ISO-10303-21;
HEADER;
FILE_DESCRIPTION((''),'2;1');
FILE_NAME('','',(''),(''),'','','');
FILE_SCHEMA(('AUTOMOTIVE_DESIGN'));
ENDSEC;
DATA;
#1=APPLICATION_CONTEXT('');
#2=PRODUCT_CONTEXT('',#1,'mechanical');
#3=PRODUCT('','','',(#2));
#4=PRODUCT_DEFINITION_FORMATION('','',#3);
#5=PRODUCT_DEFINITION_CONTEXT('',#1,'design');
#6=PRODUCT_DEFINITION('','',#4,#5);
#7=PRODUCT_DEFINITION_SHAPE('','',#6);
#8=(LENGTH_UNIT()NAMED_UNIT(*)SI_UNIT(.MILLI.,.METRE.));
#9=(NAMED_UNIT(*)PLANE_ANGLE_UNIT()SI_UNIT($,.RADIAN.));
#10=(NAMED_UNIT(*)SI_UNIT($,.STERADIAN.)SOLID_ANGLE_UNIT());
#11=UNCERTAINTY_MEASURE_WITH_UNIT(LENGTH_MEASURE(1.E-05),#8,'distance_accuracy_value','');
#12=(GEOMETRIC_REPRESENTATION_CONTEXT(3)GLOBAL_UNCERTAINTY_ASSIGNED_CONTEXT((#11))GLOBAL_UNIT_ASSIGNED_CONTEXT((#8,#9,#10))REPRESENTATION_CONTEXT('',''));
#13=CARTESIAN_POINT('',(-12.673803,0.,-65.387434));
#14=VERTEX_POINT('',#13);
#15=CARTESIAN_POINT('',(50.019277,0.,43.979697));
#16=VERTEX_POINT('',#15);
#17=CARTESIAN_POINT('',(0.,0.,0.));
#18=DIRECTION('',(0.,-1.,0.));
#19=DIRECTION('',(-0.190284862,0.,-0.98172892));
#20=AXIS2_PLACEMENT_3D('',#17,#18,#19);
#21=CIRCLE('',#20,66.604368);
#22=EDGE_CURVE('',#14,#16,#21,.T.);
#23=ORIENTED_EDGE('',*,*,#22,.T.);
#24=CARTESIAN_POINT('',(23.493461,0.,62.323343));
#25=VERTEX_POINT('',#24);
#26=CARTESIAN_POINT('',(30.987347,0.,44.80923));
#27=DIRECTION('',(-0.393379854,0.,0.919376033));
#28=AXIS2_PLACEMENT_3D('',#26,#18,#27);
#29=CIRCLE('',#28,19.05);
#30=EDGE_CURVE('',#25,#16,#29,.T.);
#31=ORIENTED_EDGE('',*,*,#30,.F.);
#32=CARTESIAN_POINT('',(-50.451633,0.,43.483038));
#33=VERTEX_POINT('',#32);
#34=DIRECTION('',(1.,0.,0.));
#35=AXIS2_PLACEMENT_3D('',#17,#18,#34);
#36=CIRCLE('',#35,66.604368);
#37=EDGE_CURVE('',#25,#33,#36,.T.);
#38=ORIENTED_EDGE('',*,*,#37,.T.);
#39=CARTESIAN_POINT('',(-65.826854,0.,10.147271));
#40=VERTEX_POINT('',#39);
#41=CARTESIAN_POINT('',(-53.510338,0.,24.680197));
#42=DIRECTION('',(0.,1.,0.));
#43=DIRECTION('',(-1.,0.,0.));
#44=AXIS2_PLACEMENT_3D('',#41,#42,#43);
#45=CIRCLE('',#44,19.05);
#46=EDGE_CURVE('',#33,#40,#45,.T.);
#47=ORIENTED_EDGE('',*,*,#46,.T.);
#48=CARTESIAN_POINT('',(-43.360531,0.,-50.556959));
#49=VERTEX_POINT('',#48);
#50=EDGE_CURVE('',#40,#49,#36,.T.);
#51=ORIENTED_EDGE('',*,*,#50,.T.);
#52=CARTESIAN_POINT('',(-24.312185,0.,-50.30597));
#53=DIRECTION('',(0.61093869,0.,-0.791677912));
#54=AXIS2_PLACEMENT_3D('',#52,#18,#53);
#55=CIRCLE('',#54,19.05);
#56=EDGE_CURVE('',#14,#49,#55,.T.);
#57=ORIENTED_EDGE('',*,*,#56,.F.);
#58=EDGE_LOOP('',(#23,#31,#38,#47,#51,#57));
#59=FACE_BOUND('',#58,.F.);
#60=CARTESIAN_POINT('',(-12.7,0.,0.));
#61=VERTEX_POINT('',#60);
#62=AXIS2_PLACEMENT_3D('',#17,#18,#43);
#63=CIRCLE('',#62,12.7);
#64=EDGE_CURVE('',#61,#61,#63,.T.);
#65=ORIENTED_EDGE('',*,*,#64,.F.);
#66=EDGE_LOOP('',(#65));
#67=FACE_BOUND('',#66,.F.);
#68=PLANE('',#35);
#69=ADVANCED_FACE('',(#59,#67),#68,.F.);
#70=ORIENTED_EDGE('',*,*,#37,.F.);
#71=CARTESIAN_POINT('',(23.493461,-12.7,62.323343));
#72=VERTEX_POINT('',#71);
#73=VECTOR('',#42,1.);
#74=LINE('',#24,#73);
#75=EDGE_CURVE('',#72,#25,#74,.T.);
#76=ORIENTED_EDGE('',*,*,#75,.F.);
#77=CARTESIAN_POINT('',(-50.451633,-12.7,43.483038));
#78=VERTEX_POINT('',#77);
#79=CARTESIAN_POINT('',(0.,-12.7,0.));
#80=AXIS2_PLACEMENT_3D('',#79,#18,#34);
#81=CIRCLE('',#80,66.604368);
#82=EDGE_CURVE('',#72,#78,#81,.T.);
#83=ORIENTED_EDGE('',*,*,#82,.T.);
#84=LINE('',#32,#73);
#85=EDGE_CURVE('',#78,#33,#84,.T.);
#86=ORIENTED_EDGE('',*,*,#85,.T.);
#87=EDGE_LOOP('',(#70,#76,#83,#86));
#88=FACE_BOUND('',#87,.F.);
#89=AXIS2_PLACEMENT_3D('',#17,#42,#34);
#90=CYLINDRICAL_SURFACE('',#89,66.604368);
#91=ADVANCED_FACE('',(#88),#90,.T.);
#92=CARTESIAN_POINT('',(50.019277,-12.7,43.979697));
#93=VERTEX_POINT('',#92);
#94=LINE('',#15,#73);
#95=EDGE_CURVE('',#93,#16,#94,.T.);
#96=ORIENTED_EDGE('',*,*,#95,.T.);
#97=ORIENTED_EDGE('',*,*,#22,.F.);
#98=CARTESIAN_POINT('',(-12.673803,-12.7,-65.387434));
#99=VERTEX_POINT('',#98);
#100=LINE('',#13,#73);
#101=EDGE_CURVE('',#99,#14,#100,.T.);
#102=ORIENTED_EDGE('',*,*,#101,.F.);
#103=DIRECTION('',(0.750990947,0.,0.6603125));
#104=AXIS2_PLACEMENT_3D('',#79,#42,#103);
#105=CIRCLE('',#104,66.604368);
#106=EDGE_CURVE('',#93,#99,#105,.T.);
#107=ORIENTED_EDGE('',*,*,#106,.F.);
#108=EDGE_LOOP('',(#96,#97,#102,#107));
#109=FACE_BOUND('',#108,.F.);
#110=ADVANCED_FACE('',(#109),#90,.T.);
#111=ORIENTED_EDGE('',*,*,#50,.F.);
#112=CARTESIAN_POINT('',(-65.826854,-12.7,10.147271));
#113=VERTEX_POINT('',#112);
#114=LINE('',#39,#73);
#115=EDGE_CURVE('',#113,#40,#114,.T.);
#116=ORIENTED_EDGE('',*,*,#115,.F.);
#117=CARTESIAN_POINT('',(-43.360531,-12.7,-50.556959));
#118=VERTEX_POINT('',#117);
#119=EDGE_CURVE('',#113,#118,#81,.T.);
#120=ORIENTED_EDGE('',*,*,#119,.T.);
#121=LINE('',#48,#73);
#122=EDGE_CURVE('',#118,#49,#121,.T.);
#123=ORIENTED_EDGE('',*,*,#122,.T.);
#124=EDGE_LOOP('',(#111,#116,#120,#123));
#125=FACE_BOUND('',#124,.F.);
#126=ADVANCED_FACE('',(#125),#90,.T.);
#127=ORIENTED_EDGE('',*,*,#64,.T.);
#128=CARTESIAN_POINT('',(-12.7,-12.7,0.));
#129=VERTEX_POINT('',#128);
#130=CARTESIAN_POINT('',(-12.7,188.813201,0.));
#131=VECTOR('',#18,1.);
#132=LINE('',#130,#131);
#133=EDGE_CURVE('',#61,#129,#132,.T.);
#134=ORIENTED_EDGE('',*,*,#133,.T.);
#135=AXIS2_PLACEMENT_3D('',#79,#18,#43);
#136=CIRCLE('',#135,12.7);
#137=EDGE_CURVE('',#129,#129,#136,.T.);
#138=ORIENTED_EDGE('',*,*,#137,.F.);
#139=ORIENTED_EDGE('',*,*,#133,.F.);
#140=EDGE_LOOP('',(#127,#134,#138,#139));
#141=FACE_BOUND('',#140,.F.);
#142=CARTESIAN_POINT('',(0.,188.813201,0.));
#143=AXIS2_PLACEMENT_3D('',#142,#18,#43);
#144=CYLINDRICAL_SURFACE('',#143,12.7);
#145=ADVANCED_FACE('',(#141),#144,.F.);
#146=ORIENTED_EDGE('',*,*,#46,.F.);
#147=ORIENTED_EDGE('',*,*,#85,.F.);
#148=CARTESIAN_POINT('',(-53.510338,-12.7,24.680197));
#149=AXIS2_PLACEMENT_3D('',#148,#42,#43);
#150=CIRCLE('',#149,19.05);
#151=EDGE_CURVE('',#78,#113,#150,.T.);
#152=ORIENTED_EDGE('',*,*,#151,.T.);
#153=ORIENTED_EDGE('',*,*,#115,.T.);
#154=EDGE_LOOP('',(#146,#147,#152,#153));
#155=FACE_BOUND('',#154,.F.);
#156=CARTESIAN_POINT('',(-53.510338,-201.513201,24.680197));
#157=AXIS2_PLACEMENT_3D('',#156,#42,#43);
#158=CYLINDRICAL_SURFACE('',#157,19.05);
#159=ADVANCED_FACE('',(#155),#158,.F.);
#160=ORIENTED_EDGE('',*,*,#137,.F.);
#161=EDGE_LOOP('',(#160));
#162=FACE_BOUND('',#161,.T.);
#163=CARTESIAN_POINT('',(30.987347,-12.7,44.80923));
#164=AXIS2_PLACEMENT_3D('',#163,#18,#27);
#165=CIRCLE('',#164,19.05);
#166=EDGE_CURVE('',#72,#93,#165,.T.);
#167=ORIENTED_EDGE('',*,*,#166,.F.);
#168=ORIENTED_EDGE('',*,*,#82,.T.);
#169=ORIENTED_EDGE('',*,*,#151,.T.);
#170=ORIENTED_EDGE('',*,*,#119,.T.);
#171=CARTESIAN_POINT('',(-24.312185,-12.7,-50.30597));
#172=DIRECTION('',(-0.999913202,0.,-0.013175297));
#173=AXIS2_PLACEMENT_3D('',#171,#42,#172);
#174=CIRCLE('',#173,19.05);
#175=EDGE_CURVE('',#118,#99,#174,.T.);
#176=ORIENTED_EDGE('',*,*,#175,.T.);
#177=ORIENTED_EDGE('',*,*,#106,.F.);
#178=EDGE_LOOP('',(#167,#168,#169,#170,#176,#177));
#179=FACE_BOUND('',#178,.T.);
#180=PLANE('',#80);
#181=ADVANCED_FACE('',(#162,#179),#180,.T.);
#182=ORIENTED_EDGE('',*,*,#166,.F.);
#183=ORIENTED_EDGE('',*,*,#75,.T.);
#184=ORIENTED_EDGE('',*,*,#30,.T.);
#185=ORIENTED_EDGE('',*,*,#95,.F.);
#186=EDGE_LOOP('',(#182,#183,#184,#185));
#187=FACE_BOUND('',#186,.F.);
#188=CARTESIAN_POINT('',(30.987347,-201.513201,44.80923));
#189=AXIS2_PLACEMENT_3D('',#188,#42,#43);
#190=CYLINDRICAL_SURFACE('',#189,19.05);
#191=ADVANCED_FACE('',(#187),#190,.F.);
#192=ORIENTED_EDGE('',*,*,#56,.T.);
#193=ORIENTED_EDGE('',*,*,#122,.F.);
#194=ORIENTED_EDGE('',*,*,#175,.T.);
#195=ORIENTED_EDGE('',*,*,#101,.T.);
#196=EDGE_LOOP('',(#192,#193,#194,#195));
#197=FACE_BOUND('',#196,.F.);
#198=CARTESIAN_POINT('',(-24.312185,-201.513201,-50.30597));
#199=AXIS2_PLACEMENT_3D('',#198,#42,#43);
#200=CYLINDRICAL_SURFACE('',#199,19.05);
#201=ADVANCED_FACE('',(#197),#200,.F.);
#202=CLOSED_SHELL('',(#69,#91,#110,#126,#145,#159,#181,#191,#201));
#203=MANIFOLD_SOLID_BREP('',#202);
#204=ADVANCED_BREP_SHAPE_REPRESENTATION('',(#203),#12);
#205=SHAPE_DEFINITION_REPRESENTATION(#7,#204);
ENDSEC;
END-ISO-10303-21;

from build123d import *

# Parameters (mm, degrees)
F0_R     = 66.604368
F1_DEPTH = 12.7
F3_D     = 25.4
F4_D     = 38.1


with BuildPart() as f1:
    # F0 (on Front) → F1 (new body)
    with BuildSketch(Plane.XZ):
        Circle(F0_R)
    extrude(amount=F1_DEPTH)

    # F3 (through all)
    with Locations(Plane(origin=(0, 0, 0), x_dir=(1, 0, 0), z_dir=(0, 1, 0))):
        with Locations((0, 0)):
            Hole(F3_D / 2)

    # F4 (through all)
    with Locations(Plane.XZ.offset(12.7)):
        with Locations((-53.510338, 24.680197), (30.987347, 44.80923), (-24.312185, -50.30597)):
            Hole(F4_D / 2)


solid = f1.part
